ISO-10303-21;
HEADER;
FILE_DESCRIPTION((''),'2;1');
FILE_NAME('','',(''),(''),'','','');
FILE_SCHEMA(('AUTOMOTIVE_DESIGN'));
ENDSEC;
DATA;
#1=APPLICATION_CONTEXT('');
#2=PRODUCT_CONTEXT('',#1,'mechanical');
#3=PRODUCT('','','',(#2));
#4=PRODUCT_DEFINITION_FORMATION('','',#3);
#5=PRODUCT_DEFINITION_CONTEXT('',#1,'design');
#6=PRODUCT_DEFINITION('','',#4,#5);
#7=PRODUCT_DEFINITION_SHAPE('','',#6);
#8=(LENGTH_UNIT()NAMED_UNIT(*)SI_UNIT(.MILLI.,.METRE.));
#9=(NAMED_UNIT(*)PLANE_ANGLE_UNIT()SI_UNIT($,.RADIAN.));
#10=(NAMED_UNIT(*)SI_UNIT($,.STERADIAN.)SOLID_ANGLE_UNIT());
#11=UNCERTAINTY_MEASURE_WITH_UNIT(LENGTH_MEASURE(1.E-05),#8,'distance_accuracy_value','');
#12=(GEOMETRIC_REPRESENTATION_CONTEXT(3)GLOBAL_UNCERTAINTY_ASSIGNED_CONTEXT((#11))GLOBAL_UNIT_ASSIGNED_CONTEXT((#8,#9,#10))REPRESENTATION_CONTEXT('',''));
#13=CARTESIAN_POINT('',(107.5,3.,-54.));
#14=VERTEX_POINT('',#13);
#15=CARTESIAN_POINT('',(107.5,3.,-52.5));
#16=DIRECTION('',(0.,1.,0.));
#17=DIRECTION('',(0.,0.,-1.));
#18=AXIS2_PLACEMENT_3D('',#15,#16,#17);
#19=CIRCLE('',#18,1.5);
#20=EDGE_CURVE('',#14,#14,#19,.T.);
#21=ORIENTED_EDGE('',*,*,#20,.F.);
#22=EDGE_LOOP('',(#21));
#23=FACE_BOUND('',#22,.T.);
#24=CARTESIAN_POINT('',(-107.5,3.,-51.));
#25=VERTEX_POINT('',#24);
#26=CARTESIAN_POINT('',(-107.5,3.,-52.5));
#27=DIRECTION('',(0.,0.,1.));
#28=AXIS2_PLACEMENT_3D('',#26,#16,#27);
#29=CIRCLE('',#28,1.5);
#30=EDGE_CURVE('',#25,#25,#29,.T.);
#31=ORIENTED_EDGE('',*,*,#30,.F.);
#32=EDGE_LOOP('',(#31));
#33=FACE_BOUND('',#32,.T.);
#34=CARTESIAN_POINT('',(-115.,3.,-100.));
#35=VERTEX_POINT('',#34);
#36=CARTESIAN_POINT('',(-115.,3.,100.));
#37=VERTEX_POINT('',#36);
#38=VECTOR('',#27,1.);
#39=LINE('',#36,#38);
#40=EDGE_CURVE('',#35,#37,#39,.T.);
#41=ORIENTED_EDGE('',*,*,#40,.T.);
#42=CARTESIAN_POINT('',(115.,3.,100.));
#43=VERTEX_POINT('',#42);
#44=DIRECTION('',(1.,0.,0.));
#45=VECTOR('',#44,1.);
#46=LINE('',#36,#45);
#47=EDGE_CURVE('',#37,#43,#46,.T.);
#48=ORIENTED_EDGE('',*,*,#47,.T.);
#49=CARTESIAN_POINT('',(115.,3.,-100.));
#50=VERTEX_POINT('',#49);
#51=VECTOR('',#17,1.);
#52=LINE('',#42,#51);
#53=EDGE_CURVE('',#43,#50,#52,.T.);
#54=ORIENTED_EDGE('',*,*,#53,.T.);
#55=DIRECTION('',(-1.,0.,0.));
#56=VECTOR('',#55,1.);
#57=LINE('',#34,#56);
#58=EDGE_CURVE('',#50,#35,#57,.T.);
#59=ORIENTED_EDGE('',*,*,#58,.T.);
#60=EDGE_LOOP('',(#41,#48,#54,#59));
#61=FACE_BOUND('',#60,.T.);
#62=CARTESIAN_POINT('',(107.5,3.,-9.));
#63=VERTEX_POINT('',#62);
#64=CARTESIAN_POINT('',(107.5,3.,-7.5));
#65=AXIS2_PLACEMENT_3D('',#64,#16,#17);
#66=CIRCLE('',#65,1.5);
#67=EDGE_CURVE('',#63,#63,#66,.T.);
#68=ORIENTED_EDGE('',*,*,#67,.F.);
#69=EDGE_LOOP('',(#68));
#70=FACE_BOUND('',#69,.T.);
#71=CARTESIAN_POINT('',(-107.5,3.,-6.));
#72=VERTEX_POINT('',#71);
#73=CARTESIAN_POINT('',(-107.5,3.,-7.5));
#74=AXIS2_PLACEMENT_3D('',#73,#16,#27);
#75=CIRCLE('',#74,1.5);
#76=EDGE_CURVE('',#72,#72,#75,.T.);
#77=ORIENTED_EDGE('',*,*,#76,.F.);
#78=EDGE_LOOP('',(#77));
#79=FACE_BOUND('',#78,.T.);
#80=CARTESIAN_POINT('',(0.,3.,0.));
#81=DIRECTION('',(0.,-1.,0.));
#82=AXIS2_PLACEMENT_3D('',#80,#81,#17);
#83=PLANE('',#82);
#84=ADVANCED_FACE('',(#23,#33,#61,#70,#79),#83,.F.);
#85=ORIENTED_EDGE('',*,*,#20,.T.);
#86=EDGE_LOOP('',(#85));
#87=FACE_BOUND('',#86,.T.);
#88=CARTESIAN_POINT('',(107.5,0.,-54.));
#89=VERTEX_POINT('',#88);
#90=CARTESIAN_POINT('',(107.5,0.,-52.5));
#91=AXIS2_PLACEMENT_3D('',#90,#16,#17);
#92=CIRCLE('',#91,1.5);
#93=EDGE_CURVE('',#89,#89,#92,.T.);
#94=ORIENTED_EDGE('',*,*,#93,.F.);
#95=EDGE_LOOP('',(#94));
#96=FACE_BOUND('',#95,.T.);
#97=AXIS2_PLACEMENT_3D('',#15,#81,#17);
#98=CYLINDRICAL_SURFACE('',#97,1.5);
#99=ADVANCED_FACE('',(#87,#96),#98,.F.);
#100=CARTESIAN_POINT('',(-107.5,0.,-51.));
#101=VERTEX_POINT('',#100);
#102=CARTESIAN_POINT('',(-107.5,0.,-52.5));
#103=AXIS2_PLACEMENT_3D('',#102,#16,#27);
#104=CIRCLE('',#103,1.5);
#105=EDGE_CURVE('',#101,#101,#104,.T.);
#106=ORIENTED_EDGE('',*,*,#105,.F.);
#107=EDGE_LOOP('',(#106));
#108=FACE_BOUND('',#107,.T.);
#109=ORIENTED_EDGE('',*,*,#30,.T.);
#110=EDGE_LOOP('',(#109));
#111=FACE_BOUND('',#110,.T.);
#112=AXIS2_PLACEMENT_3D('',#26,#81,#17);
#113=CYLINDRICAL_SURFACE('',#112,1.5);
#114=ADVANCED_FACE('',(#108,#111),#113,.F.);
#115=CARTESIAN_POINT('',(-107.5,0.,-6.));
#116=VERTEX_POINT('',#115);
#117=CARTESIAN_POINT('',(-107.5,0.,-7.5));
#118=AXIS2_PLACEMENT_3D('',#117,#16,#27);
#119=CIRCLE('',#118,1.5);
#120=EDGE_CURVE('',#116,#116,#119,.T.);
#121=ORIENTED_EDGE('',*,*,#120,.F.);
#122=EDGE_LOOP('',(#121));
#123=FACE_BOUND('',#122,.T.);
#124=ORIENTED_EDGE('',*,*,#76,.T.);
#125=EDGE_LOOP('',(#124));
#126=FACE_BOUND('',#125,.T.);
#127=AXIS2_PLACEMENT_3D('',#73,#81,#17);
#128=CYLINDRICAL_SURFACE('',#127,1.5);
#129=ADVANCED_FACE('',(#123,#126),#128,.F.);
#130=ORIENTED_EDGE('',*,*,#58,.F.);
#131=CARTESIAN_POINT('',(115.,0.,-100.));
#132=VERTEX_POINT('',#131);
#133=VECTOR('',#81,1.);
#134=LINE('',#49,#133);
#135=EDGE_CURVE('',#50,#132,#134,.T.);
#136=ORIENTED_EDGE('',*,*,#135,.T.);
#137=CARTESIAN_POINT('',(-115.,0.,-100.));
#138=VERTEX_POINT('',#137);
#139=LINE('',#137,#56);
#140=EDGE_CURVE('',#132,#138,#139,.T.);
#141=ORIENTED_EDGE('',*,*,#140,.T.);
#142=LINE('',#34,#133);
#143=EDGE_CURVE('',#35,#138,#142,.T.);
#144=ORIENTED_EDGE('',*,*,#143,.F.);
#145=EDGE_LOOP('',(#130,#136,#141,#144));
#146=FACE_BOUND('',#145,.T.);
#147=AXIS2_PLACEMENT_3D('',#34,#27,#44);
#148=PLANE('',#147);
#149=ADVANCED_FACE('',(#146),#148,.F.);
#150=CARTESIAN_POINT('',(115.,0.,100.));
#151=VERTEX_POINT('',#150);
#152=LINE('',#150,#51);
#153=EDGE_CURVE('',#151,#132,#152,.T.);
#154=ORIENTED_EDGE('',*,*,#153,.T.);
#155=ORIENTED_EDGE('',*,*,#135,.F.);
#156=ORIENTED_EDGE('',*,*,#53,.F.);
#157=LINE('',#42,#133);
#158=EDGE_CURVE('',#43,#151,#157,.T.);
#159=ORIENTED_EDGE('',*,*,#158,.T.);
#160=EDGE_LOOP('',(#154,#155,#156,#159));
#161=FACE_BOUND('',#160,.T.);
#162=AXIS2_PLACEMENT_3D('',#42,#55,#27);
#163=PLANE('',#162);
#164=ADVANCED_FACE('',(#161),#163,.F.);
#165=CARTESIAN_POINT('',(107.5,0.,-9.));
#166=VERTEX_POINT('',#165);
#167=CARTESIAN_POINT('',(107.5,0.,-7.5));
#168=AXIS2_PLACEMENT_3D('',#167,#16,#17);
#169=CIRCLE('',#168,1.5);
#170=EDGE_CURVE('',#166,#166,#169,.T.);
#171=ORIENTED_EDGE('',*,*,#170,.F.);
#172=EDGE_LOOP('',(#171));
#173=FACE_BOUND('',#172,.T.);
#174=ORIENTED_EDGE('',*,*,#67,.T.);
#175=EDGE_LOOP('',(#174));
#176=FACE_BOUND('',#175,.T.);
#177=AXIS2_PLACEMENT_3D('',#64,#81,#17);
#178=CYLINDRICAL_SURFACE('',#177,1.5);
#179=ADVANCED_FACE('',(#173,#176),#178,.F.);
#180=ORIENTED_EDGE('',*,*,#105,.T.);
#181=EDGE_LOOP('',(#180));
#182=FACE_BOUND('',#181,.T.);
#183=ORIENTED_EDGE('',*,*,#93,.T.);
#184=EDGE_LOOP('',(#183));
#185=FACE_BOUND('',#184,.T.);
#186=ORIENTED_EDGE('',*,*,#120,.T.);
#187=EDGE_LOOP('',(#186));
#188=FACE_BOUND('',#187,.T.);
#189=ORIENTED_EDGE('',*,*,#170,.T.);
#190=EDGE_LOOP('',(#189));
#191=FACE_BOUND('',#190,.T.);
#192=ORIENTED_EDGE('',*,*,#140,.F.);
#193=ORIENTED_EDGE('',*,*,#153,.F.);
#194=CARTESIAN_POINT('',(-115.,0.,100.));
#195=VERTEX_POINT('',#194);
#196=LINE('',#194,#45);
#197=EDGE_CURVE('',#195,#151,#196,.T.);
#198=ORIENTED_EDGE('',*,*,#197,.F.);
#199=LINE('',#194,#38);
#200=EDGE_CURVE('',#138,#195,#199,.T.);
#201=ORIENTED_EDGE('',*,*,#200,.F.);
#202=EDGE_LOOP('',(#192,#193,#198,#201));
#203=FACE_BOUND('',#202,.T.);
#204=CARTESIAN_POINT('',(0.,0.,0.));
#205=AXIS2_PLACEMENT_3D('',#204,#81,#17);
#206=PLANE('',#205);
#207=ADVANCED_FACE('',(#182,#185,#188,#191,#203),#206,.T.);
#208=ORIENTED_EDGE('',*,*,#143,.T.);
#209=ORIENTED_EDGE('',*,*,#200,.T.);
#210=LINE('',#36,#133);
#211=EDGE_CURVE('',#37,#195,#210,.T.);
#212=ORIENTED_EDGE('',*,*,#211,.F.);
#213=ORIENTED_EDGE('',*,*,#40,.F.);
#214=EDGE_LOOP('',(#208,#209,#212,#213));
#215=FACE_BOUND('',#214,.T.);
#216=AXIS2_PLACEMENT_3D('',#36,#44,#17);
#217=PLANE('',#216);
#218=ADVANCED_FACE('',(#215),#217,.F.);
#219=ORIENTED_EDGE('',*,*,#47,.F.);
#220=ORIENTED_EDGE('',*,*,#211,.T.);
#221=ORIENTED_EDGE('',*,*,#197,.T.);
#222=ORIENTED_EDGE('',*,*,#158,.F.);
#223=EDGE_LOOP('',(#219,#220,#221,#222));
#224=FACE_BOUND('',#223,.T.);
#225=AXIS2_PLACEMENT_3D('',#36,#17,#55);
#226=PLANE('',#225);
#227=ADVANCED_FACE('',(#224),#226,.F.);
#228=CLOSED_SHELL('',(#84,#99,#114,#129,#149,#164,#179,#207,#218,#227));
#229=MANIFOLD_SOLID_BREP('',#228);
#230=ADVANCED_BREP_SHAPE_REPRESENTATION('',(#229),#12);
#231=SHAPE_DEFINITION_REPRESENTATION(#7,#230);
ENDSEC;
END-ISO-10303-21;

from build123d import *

# Parameters (mm, degrees)
ESBO_O1_W                = 230
ESBO_O1_H                = 200
ESBO_O1_R                = 1.5
RESSALTO_EXTRUS_O1_DEPTH = 3


with BuildPart() as part:
    # Esboço1 → Ressalto-extrusão1 (new body)
    with BuildSketch(Plane(origin=(0, 0, 0), x_dir=(1, 0, 0), z_dir=(0, 1, 0))):
        Rectangle(ESBO_O1_W, ESBO_O1_H)
        with Locations(Location((-107.5, 52.5, 0), (0, 0, 270))):
            Circle(ESBO_O1_R, mode=Mode.SUBTRACT)
        with Locations(Location((-107.5, 7.5, 0), (0, 0, 270))):
            Circle(ESBO_O1_R, mode=Mode.SUBTRACT)
        with Locations(Location((107.5, 7.5, 0), (0, 0, 90))):
            Circle(ESBO_O1_R, mode=Mode.SUBTRACT)
        with Locations(Location((107.5, 52.5, 0), (0, 0, 90))):
            Circle(ESBO_O1_R, mode=Mode.SUBTRACT)
    extrude(amount=RESSALTO_EXTRUS_O1_DEPTH)


solid = part.part
